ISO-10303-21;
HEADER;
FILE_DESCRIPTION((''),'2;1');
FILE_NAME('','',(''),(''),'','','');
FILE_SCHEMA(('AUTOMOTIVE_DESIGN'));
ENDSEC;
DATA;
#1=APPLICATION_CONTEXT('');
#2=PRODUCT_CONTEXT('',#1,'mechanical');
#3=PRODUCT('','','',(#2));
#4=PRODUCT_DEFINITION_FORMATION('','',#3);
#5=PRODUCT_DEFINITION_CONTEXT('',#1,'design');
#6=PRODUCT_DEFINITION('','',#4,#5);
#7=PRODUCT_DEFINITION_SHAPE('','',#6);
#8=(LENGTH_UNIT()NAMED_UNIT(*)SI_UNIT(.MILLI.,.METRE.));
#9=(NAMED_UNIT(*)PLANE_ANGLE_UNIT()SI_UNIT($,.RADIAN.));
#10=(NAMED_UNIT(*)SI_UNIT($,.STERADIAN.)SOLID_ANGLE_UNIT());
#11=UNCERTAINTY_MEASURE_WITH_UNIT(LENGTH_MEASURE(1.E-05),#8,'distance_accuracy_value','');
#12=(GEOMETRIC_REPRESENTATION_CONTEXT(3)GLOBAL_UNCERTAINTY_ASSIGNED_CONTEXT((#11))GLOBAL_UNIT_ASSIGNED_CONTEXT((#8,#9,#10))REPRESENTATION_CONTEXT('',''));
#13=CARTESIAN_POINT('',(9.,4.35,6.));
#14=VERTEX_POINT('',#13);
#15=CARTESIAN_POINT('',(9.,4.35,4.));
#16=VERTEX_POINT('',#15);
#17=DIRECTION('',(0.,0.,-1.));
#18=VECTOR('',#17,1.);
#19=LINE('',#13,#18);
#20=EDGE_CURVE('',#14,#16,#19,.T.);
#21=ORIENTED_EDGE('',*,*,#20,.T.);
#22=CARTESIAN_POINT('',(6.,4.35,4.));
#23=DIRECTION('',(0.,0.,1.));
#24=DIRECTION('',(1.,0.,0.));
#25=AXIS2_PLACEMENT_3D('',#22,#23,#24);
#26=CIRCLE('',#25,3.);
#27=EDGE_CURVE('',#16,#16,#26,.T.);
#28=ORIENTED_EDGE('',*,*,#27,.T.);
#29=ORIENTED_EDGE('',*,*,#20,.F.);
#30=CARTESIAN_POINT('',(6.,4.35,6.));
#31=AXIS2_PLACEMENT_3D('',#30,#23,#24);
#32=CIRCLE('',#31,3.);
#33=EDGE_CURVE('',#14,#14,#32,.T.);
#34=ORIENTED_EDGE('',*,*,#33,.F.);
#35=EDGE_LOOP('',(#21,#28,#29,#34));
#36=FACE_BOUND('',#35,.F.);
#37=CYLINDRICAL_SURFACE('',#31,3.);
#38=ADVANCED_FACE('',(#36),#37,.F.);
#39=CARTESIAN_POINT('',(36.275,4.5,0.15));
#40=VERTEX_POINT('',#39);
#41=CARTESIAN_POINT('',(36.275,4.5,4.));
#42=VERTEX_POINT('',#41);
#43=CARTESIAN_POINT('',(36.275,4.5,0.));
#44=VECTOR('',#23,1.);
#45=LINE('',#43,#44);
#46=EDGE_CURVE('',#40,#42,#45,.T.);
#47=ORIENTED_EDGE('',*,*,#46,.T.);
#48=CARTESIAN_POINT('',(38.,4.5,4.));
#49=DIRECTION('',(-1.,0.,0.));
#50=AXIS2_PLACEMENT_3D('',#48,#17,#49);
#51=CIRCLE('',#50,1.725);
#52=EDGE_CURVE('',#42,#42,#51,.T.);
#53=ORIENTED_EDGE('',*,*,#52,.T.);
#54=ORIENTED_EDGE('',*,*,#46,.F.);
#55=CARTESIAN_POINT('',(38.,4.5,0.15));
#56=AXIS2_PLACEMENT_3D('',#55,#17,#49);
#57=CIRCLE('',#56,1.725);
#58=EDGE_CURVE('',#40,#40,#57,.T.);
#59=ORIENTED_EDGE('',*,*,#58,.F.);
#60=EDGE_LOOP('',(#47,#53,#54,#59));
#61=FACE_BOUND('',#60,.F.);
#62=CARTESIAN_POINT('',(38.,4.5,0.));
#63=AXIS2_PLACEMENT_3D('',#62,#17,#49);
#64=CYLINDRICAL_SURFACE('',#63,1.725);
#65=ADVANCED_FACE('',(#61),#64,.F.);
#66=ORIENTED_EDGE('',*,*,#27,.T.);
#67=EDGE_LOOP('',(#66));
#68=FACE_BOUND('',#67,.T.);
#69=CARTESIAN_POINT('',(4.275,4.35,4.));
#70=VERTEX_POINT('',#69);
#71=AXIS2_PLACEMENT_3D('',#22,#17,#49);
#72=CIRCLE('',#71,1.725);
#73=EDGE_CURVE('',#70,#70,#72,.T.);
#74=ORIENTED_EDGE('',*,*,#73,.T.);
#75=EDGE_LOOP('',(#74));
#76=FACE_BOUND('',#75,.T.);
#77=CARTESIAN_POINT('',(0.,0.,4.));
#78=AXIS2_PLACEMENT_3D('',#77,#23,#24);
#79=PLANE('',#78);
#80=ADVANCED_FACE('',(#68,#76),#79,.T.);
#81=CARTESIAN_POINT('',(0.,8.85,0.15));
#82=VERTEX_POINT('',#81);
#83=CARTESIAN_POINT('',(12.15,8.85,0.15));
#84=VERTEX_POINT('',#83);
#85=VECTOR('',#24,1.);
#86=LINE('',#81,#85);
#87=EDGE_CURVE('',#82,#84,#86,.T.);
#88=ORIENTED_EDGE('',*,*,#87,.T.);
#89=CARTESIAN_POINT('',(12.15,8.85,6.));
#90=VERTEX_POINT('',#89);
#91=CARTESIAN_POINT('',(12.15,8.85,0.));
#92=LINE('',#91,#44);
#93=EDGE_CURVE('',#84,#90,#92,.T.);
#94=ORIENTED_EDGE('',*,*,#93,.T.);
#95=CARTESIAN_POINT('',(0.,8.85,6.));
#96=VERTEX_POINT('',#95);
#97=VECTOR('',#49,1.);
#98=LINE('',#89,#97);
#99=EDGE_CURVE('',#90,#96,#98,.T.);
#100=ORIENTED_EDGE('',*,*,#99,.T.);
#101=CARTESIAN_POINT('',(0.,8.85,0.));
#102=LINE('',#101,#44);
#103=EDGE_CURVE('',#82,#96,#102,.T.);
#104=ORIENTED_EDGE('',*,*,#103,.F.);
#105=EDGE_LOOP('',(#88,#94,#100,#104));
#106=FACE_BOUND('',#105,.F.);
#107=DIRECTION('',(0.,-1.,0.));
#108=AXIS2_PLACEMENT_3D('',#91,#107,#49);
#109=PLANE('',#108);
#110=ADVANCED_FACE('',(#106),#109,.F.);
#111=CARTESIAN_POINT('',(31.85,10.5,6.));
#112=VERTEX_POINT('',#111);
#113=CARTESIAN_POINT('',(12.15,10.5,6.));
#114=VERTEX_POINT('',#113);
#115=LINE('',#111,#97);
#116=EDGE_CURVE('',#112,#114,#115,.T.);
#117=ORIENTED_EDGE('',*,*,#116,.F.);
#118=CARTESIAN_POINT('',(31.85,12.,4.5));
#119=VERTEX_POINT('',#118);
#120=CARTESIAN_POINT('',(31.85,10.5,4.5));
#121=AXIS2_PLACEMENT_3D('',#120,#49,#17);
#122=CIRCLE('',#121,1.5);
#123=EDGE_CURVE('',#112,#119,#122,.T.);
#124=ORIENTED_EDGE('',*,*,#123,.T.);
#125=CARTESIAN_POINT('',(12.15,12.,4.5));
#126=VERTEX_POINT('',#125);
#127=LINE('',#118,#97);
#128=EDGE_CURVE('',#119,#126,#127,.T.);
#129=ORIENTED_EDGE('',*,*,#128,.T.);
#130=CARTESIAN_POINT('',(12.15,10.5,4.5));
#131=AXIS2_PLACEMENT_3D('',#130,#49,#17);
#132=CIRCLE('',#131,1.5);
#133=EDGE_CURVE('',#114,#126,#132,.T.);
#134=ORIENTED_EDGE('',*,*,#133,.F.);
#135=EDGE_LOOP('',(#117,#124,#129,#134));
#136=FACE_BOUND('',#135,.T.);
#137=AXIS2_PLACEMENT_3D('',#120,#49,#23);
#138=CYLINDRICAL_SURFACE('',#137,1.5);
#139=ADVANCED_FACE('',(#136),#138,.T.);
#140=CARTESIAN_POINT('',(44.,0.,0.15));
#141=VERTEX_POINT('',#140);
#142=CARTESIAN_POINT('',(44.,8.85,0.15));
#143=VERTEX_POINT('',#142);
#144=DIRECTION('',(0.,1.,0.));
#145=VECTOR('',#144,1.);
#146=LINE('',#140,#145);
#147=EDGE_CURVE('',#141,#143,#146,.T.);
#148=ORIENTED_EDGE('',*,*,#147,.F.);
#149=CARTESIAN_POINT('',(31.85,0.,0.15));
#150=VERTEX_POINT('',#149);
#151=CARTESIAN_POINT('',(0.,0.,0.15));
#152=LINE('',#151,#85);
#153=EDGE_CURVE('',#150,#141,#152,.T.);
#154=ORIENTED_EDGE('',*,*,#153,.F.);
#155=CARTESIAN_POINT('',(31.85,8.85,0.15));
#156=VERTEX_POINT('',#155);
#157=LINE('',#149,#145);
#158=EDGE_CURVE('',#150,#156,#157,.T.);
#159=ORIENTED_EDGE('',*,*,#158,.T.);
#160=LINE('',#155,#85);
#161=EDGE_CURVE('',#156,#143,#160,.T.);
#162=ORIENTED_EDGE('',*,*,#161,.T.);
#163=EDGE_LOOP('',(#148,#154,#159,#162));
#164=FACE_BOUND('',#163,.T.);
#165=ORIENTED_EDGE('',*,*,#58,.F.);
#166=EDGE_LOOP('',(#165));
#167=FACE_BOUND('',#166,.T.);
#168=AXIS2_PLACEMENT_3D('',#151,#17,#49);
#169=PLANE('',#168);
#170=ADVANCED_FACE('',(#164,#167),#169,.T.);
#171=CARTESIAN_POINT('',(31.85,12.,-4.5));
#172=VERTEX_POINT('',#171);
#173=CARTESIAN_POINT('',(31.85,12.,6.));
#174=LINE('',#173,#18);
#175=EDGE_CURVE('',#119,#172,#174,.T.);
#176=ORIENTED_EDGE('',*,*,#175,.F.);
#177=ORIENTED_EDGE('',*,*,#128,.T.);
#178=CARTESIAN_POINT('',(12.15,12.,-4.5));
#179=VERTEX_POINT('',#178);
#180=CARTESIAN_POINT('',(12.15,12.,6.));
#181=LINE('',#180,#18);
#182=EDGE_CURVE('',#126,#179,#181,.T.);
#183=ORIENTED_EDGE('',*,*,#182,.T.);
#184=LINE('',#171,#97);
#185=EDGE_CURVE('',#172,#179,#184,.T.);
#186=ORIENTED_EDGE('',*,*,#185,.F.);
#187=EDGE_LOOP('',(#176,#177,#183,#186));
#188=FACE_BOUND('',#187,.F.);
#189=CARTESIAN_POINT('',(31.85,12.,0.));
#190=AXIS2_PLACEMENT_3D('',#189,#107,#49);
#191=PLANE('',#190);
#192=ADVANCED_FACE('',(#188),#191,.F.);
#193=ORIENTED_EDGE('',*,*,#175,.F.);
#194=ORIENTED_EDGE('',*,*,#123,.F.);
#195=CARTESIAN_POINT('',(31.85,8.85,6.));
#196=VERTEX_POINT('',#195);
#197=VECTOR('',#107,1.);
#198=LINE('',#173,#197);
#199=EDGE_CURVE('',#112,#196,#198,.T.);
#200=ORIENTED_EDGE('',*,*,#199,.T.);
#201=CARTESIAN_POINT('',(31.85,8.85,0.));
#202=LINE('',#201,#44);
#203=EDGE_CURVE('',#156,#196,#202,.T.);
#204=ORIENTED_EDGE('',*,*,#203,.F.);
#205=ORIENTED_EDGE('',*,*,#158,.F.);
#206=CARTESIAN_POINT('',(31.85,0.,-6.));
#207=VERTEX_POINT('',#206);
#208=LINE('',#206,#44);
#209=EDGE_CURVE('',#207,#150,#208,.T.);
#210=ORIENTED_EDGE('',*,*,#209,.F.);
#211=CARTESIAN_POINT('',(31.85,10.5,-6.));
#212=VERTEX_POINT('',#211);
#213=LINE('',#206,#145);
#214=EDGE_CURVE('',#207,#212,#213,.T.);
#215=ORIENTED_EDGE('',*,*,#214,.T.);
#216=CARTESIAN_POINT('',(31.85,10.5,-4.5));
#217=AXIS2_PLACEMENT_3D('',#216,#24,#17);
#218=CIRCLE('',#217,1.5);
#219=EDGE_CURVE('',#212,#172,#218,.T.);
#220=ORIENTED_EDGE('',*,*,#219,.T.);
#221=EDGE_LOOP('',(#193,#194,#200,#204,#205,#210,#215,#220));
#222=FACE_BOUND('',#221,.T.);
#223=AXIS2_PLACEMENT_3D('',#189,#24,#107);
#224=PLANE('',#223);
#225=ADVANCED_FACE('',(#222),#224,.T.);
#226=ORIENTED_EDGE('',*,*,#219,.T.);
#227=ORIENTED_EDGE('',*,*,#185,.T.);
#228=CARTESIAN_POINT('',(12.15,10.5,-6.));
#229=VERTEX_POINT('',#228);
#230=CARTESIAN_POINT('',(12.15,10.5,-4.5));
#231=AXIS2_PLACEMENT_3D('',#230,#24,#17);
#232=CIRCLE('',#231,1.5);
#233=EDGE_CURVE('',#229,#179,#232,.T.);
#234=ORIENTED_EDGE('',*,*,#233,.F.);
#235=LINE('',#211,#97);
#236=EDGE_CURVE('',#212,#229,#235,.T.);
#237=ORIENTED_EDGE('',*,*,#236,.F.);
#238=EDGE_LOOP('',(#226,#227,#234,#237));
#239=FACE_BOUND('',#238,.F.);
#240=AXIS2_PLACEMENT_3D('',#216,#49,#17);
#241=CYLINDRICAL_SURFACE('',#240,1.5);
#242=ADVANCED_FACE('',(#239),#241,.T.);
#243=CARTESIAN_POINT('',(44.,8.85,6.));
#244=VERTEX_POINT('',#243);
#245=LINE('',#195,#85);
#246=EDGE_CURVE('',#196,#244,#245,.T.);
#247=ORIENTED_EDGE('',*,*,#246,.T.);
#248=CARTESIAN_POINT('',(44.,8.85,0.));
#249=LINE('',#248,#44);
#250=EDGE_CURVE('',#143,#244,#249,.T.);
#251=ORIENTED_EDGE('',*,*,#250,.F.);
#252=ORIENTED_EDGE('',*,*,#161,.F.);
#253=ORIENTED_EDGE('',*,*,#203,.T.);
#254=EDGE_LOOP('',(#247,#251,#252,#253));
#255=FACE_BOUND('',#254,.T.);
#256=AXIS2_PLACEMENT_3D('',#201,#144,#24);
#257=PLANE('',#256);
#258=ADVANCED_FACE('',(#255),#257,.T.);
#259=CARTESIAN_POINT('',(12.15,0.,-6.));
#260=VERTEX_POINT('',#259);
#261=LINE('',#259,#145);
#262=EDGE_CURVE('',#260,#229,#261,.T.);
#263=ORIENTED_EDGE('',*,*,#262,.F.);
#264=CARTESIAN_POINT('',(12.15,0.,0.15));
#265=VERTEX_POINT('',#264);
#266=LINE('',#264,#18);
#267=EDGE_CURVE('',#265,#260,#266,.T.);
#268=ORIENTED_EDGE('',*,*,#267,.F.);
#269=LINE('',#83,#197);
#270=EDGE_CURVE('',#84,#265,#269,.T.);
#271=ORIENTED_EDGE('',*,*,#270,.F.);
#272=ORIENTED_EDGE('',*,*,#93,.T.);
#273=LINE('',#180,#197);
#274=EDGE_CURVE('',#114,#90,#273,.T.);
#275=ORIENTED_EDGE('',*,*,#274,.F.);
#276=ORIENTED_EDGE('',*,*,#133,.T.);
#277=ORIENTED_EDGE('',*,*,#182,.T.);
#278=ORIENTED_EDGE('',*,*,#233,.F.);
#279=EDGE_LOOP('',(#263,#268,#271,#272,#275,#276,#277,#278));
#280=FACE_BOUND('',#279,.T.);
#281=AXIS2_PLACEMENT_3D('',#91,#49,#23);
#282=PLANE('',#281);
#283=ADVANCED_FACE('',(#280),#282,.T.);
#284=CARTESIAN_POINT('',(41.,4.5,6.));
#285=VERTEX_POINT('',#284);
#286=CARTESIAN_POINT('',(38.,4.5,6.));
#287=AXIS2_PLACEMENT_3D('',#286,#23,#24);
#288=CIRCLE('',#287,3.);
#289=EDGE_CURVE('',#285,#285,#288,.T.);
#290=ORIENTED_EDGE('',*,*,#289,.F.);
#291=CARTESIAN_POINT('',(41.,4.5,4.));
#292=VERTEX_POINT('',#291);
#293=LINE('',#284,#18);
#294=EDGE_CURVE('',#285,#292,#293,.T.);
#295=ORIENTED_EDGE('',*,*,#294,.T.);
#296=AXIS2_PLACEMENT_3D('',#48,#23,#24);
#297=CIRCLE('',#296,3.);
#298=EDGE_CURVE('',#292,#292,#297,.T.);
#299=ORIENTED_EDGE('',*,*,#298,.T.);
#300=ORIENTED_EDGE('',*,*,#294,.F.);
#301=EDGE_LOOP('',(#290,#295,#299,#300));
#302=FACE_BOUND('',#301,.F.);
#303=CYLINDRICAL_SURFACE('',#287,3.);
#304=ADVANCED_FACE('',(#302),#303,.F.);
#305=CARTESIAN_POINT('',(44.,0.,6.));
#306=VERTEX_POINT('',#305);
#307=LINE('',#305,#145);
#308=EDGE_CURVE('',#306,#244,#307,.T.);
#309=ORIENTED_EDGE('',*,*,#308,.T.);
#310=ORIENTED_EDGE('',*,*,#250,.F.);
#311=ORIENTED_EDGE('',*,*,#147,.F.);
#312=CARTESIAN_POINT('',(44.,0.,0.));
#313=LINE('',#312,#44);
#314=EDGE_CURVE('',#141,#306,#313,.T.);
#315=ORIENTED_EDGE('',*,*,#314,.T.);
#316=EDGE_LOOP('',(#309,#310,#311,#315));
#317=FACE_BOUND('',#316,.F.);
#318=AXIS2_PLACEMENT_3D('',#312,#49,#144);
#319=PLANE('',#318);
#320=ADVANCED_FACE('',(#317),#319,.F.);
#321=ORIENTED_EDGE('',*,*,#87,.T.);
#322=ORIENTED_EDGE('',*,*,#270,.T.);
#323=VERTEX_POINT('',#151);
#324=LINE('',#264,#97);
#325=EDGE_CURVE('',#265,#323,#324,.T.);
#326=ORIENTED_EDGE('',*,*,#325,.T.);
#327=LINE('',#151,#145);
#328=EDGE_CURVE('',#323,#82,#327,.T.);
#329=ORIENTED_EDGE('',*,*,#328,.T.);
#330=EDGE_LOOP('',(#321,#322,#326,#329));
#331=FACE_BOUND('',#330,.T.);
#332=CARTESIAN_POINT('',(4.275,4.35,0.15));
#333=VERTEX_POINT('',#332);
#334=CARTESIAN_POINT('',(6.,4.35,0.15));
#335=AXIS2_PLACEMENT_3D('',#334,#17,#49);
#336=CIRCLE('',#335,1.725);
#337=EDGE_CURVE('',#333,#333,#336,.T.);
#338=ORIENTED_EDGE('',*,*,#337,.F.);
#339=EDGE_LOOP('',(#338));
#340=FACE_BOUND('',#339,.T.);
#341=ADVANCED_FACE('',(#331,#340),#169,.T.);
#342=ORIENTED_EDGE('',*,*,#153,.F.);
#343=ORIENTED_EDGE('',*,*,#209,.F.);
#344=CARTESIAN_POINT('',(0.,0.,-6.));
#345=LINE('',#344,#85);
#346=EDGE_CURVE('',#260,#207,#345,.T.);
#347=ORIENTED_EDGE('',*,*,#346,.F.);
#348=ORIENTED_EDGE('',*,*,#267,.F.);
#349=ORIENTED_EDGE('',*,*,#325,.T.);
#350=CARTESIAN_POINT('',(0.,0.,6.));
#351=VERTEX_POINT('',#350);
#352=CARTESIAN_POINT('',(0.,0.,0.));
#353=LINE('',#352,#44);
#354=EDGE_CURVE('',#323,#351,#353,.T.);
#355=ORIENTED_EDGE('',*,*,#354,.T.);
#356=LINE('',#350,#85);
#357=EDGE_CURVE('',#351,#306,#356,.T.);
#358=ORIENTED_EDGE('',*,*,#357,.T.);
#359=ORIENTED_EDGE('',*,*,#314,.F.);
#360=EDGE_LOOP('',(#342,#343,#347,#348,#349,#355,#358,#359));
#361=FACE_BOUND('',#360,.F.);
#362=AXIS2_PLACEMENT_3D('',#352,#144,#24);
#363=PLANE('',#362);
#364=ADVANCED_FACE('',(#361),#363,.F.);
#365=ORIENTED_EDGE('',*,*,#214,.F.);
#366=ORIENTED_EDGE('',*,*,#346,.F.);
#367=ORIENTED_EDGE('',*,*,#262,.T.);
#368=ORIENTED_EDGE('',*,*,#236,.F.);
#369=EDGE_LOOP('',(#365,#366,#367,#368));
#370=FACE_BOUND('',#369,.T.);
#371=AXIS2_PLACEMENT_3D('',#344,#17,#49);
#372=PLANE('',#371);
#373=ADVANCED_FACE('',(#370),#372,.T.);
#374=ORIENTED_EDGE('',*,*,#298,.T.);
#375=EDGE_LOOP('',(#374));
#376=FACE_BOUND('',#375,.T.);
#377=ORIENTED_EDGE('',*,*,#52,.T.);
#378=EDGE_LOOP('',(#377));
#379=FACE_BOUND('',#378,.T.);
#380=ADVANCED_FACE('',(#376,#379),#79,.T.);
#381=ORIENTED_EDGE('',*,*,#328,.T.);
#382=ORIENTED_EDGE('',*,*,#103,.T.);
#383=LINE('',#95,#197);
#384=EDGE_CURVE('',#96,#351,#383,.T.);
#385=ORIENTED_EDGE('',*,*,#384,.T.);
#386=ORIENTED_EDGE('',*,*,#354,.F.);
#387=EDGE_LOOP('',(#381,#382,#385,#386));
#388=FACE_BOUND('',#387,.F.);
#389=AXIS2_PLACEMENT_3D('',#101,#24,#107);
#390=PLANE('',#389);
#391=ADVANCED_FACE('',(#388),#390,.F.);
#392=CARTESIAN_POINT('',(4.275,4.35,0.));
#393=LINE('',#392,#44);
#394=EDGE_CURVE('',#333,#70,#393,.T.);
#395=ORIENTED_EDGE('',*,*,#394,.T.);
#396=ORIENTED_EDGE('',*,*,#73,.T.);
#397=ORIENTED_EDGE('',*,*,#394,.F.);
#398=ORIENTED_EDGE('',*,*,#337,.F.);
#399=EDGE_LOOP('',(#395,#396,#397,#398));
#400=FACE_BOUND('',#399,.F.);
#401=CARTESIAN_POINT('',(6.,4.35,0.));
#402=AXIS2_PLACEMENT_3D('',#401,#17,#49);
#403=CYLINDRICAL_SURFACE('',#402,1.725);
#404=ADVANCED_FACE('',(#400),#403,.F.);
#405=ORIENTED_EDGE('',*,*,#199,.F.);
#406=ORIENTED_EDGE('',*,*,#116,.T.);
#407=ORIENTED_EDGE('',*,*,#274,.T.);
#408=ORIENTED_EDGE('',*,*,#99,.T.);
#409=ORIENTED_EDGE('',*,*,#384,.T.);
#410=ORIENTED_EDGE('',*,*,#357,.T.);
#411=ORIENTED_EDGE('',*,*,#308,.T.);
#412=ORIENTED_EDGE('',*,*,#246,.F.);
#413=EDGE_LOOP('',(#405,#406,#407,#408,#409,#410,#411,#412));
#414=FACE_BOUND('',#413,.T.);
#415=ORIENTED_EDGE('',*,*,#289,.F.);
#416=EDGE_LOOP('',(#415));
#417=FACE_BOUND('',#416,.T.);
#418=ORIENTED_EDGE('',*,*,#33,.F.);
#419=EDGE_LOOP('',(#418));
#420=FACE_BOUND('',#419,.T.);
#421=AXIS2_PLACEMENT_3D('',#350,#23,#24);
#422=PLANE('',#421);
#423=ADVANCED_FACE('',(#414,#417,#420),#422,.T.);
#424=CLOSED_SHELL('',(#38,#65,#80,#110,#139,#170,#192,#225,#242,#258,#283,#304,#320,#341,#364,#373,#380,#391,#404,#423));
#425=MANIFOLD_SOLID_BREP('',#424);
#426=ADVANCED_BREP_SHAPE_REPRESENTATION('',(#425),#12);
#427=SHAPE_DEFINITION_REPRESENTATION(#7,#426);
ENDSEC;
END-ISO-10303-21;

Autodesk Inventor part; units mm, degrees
ref_plane "YZ Plane" through (0, 0, 0) normal (1, 0, 0) x (0, 1, 0)
ref_plane "XZ Plane" through (0, 0, 0) normal (0, 1, 0) x (-1, 0, 0)
ref_plane "XY Plane" through (0, 0, 0) normal (0, 0, 1) x (1, 0, 0)
sketch "Sketch1" plane through (0, 0, 0) normal (0, 0, 1) x (1, 0, 0)
  line L0 (0, 0) -> (44, 0)
  line L1 (44, 0) -> (44, 8.85)
  line L2 (31.85, 12) -> (12.15, 12)
  line L3 (0, 8.85) -> (0, 0)
  line L4 (12.15, 12) -> (12.15, 8.85)
  line L5 (12.15, 8.85) -> (0, 8.85)
  line L6 (31.85, 12) -> (31.85, 8.85)
  line L7 (31.85, 8.85) -> (44, 8.85)
  dimension "d6" = 44
  dimension "d7" = 3.15
  dimension "d8" = 3.15
  dimension "d9" = 12.15
  dimension "d10" = 12.15
  dimension "d11" = 8.85
  dimension "d12" = 8.85
  dimension "d13" = 12
extrude "Extrusion1" add sketch "Sketch1" along normal blind 6
sketch "Sketch2" plane through (0, 0, 0) normal (0, 0, -1) x (-1, 0, 0)
  line L0 (-31.85, 12) -> (-12.15, 12) projected
  line L1 (0, 0) -> (-44, 0) projected
  line L2 (-31.85, 12) -> (-12, 12)
  line L3 (-12, 12) -> (-12, 0)
  line L4 (-12, 0) -> (-31.85, 0)
  line L5 (-31.85, 0) -> (-31.85, 12)
extrude "Extrusion2" add sketch "Sketch2" along normal blind 6
sketch "Sketch3" plane through (0, 0, 0) normal (0, 0, -1) x (-1, 0, 0)
  circle A0 centre (-6, 4.35) radius 1.725
  line L0 (-12, 8.85) -> (0, 8.85) projected
  line L1 (0, 8.85) -> (0, 0) projected
  circle A1 centre (-38, 4.5) radius 1.725
  line L2 (-31.85, 0) -> (-44, 0) projected
  line L3 (-44, 0) -> (-44, 8.85) projected
  point P0 (-12, 9)
  dimension "d18" = 3.45
  dimension "d19" = 4.5
  dimension "d20" = 6
  dimension "d21" = 3.45
  dimension "d22" = 4.5
  dimension "d23" = 6
extrude "Extrusion3" cut sketch "Sketch3" against normal blind 4
sketch "Sketch4" plane through (0, 0, 6) normal (0, 0, 1) x (1, 0, 0)
  circle A0 centre (6, 4.35) radius 3
  line L0 (12.15, 8.85) -> (0, 8.85) projected
  line L1 (0, 8.85) -> (0, 0) projected
  circle A1 centre (38, 4.5) radius 1.725 projected
  circle A2 centre (38, 4.5) radius 3
  dimension "d26" = 6
  dimension "d27" = 4.5
  dimension "d28" = 6
  dimension "d29" = 6
extrude "Extrusion4" cut sketch "Sketch4" against normal blind 2 contours A0 | A1 | A2
sketch "Sketch5" plane through (31.85, 0, 0) normal (0, -1, 0) x (1, 0, 0)
  point P0 (-31.85, 0)
sketch "Sketch6" plane through (0, 0, 0) normal (0, 0, -1) x (-1, 0, 0)
  line L0 (0, 0) -> (-44, 0) projected
  line L1 (-12.15, 8.85) -> (0, 8.85) projected
  line L2 (0, 0) -> (0, 8.85)
  line L3 (-12.15, 8.85) -> (-12, 8.85) projected
  line L4 (0, 8.85) -> (-12, 8.85)
  line L5 (-12, 0) -> (-12, 12) projected
  line L6 (-12, 8.85) -> (-12, 0)
  line L7 (-12, 0) -> (0, 0)
  line L8 (-44, 0) -> (-44, 8.85) projected
  line L9 (-44, 0) -> (-31.85, 0)
  line L10 (-31.85, 0) -> (-31.85, 8.85) projected
  line L11 (-31.85, 0) -> (-31.85, 8.85)
  line L12 (-31.85, 8.85) -> (-44, 8.85)
  line L13 (-44, 8.85) -> (-44, 0)
  dimension "d33" = 12.15
extrude "Extrusion5" cut sketch "Sketch6" against normal blind 0.15
sketch "Sketch7" plane through (12, 8.85, 0) normal (-1, 0, 0) x (0, 0, 1)
  line L0 (0, 3.15) -> (0, 0) projected
  line L1 (0, 3.15) -> (0, 0)
  line L2 (0.15, 0) -> (6, 0) projected
  line L3 (0, 0) -> (0.15, 0)
  line L4 (0.15, 0) -> (0.15, -8.85) projected
  line L5 (0.15, 0) -> (0.15, -8.85)
  line L6 (0.15, -8.85) -> (-6, -8.85) projected
  line L7 (0.15, -8.85) -> (-6, -8.85)
  line L8 (-6, -8.85) -> (-6, 3.15)
  line L9 (0, 3.15) -> (6, 3.15) projected
  line L10 (-6, 3.15) -> (0, 3.15)
  point P0 (0, -8.85)
sketch "Sketch8" plane through (12.15, 12, 6) normal (0, 1, 0) x (1, 0, 0)
  line L0 (0, 6) -> (0, 0) projected
  line L1 (19.7, 12) -> (-0.15, 12) projected
  line L2 (0, 6) -> (-0.15, 6)
  line L3 (-0.15, 6) -> (-0.15, 12)
  line L4 (-0.15, 12) -> (0, 12)
  line L5 (0, 12) -> (0, 6)
  point P0 (-12.15, 6)
extrude "Extrusion6" cut sketch "Sketch7" against normal blind 0.15
fillet "Fillet2" radius 1.5 2 edges at (22, 12, 6) (22, 12, -6)
sketch "Sketch9" plane through (0, 0, 6) normal (0, 0, 1) x (1, 0, 0)
  point P0 (0, 0)
equation "\"d8\" = d7"
equation "\"d10\" = d9"
equation "\"d12\" = d11"
properties part number "beam44mmVer2"
